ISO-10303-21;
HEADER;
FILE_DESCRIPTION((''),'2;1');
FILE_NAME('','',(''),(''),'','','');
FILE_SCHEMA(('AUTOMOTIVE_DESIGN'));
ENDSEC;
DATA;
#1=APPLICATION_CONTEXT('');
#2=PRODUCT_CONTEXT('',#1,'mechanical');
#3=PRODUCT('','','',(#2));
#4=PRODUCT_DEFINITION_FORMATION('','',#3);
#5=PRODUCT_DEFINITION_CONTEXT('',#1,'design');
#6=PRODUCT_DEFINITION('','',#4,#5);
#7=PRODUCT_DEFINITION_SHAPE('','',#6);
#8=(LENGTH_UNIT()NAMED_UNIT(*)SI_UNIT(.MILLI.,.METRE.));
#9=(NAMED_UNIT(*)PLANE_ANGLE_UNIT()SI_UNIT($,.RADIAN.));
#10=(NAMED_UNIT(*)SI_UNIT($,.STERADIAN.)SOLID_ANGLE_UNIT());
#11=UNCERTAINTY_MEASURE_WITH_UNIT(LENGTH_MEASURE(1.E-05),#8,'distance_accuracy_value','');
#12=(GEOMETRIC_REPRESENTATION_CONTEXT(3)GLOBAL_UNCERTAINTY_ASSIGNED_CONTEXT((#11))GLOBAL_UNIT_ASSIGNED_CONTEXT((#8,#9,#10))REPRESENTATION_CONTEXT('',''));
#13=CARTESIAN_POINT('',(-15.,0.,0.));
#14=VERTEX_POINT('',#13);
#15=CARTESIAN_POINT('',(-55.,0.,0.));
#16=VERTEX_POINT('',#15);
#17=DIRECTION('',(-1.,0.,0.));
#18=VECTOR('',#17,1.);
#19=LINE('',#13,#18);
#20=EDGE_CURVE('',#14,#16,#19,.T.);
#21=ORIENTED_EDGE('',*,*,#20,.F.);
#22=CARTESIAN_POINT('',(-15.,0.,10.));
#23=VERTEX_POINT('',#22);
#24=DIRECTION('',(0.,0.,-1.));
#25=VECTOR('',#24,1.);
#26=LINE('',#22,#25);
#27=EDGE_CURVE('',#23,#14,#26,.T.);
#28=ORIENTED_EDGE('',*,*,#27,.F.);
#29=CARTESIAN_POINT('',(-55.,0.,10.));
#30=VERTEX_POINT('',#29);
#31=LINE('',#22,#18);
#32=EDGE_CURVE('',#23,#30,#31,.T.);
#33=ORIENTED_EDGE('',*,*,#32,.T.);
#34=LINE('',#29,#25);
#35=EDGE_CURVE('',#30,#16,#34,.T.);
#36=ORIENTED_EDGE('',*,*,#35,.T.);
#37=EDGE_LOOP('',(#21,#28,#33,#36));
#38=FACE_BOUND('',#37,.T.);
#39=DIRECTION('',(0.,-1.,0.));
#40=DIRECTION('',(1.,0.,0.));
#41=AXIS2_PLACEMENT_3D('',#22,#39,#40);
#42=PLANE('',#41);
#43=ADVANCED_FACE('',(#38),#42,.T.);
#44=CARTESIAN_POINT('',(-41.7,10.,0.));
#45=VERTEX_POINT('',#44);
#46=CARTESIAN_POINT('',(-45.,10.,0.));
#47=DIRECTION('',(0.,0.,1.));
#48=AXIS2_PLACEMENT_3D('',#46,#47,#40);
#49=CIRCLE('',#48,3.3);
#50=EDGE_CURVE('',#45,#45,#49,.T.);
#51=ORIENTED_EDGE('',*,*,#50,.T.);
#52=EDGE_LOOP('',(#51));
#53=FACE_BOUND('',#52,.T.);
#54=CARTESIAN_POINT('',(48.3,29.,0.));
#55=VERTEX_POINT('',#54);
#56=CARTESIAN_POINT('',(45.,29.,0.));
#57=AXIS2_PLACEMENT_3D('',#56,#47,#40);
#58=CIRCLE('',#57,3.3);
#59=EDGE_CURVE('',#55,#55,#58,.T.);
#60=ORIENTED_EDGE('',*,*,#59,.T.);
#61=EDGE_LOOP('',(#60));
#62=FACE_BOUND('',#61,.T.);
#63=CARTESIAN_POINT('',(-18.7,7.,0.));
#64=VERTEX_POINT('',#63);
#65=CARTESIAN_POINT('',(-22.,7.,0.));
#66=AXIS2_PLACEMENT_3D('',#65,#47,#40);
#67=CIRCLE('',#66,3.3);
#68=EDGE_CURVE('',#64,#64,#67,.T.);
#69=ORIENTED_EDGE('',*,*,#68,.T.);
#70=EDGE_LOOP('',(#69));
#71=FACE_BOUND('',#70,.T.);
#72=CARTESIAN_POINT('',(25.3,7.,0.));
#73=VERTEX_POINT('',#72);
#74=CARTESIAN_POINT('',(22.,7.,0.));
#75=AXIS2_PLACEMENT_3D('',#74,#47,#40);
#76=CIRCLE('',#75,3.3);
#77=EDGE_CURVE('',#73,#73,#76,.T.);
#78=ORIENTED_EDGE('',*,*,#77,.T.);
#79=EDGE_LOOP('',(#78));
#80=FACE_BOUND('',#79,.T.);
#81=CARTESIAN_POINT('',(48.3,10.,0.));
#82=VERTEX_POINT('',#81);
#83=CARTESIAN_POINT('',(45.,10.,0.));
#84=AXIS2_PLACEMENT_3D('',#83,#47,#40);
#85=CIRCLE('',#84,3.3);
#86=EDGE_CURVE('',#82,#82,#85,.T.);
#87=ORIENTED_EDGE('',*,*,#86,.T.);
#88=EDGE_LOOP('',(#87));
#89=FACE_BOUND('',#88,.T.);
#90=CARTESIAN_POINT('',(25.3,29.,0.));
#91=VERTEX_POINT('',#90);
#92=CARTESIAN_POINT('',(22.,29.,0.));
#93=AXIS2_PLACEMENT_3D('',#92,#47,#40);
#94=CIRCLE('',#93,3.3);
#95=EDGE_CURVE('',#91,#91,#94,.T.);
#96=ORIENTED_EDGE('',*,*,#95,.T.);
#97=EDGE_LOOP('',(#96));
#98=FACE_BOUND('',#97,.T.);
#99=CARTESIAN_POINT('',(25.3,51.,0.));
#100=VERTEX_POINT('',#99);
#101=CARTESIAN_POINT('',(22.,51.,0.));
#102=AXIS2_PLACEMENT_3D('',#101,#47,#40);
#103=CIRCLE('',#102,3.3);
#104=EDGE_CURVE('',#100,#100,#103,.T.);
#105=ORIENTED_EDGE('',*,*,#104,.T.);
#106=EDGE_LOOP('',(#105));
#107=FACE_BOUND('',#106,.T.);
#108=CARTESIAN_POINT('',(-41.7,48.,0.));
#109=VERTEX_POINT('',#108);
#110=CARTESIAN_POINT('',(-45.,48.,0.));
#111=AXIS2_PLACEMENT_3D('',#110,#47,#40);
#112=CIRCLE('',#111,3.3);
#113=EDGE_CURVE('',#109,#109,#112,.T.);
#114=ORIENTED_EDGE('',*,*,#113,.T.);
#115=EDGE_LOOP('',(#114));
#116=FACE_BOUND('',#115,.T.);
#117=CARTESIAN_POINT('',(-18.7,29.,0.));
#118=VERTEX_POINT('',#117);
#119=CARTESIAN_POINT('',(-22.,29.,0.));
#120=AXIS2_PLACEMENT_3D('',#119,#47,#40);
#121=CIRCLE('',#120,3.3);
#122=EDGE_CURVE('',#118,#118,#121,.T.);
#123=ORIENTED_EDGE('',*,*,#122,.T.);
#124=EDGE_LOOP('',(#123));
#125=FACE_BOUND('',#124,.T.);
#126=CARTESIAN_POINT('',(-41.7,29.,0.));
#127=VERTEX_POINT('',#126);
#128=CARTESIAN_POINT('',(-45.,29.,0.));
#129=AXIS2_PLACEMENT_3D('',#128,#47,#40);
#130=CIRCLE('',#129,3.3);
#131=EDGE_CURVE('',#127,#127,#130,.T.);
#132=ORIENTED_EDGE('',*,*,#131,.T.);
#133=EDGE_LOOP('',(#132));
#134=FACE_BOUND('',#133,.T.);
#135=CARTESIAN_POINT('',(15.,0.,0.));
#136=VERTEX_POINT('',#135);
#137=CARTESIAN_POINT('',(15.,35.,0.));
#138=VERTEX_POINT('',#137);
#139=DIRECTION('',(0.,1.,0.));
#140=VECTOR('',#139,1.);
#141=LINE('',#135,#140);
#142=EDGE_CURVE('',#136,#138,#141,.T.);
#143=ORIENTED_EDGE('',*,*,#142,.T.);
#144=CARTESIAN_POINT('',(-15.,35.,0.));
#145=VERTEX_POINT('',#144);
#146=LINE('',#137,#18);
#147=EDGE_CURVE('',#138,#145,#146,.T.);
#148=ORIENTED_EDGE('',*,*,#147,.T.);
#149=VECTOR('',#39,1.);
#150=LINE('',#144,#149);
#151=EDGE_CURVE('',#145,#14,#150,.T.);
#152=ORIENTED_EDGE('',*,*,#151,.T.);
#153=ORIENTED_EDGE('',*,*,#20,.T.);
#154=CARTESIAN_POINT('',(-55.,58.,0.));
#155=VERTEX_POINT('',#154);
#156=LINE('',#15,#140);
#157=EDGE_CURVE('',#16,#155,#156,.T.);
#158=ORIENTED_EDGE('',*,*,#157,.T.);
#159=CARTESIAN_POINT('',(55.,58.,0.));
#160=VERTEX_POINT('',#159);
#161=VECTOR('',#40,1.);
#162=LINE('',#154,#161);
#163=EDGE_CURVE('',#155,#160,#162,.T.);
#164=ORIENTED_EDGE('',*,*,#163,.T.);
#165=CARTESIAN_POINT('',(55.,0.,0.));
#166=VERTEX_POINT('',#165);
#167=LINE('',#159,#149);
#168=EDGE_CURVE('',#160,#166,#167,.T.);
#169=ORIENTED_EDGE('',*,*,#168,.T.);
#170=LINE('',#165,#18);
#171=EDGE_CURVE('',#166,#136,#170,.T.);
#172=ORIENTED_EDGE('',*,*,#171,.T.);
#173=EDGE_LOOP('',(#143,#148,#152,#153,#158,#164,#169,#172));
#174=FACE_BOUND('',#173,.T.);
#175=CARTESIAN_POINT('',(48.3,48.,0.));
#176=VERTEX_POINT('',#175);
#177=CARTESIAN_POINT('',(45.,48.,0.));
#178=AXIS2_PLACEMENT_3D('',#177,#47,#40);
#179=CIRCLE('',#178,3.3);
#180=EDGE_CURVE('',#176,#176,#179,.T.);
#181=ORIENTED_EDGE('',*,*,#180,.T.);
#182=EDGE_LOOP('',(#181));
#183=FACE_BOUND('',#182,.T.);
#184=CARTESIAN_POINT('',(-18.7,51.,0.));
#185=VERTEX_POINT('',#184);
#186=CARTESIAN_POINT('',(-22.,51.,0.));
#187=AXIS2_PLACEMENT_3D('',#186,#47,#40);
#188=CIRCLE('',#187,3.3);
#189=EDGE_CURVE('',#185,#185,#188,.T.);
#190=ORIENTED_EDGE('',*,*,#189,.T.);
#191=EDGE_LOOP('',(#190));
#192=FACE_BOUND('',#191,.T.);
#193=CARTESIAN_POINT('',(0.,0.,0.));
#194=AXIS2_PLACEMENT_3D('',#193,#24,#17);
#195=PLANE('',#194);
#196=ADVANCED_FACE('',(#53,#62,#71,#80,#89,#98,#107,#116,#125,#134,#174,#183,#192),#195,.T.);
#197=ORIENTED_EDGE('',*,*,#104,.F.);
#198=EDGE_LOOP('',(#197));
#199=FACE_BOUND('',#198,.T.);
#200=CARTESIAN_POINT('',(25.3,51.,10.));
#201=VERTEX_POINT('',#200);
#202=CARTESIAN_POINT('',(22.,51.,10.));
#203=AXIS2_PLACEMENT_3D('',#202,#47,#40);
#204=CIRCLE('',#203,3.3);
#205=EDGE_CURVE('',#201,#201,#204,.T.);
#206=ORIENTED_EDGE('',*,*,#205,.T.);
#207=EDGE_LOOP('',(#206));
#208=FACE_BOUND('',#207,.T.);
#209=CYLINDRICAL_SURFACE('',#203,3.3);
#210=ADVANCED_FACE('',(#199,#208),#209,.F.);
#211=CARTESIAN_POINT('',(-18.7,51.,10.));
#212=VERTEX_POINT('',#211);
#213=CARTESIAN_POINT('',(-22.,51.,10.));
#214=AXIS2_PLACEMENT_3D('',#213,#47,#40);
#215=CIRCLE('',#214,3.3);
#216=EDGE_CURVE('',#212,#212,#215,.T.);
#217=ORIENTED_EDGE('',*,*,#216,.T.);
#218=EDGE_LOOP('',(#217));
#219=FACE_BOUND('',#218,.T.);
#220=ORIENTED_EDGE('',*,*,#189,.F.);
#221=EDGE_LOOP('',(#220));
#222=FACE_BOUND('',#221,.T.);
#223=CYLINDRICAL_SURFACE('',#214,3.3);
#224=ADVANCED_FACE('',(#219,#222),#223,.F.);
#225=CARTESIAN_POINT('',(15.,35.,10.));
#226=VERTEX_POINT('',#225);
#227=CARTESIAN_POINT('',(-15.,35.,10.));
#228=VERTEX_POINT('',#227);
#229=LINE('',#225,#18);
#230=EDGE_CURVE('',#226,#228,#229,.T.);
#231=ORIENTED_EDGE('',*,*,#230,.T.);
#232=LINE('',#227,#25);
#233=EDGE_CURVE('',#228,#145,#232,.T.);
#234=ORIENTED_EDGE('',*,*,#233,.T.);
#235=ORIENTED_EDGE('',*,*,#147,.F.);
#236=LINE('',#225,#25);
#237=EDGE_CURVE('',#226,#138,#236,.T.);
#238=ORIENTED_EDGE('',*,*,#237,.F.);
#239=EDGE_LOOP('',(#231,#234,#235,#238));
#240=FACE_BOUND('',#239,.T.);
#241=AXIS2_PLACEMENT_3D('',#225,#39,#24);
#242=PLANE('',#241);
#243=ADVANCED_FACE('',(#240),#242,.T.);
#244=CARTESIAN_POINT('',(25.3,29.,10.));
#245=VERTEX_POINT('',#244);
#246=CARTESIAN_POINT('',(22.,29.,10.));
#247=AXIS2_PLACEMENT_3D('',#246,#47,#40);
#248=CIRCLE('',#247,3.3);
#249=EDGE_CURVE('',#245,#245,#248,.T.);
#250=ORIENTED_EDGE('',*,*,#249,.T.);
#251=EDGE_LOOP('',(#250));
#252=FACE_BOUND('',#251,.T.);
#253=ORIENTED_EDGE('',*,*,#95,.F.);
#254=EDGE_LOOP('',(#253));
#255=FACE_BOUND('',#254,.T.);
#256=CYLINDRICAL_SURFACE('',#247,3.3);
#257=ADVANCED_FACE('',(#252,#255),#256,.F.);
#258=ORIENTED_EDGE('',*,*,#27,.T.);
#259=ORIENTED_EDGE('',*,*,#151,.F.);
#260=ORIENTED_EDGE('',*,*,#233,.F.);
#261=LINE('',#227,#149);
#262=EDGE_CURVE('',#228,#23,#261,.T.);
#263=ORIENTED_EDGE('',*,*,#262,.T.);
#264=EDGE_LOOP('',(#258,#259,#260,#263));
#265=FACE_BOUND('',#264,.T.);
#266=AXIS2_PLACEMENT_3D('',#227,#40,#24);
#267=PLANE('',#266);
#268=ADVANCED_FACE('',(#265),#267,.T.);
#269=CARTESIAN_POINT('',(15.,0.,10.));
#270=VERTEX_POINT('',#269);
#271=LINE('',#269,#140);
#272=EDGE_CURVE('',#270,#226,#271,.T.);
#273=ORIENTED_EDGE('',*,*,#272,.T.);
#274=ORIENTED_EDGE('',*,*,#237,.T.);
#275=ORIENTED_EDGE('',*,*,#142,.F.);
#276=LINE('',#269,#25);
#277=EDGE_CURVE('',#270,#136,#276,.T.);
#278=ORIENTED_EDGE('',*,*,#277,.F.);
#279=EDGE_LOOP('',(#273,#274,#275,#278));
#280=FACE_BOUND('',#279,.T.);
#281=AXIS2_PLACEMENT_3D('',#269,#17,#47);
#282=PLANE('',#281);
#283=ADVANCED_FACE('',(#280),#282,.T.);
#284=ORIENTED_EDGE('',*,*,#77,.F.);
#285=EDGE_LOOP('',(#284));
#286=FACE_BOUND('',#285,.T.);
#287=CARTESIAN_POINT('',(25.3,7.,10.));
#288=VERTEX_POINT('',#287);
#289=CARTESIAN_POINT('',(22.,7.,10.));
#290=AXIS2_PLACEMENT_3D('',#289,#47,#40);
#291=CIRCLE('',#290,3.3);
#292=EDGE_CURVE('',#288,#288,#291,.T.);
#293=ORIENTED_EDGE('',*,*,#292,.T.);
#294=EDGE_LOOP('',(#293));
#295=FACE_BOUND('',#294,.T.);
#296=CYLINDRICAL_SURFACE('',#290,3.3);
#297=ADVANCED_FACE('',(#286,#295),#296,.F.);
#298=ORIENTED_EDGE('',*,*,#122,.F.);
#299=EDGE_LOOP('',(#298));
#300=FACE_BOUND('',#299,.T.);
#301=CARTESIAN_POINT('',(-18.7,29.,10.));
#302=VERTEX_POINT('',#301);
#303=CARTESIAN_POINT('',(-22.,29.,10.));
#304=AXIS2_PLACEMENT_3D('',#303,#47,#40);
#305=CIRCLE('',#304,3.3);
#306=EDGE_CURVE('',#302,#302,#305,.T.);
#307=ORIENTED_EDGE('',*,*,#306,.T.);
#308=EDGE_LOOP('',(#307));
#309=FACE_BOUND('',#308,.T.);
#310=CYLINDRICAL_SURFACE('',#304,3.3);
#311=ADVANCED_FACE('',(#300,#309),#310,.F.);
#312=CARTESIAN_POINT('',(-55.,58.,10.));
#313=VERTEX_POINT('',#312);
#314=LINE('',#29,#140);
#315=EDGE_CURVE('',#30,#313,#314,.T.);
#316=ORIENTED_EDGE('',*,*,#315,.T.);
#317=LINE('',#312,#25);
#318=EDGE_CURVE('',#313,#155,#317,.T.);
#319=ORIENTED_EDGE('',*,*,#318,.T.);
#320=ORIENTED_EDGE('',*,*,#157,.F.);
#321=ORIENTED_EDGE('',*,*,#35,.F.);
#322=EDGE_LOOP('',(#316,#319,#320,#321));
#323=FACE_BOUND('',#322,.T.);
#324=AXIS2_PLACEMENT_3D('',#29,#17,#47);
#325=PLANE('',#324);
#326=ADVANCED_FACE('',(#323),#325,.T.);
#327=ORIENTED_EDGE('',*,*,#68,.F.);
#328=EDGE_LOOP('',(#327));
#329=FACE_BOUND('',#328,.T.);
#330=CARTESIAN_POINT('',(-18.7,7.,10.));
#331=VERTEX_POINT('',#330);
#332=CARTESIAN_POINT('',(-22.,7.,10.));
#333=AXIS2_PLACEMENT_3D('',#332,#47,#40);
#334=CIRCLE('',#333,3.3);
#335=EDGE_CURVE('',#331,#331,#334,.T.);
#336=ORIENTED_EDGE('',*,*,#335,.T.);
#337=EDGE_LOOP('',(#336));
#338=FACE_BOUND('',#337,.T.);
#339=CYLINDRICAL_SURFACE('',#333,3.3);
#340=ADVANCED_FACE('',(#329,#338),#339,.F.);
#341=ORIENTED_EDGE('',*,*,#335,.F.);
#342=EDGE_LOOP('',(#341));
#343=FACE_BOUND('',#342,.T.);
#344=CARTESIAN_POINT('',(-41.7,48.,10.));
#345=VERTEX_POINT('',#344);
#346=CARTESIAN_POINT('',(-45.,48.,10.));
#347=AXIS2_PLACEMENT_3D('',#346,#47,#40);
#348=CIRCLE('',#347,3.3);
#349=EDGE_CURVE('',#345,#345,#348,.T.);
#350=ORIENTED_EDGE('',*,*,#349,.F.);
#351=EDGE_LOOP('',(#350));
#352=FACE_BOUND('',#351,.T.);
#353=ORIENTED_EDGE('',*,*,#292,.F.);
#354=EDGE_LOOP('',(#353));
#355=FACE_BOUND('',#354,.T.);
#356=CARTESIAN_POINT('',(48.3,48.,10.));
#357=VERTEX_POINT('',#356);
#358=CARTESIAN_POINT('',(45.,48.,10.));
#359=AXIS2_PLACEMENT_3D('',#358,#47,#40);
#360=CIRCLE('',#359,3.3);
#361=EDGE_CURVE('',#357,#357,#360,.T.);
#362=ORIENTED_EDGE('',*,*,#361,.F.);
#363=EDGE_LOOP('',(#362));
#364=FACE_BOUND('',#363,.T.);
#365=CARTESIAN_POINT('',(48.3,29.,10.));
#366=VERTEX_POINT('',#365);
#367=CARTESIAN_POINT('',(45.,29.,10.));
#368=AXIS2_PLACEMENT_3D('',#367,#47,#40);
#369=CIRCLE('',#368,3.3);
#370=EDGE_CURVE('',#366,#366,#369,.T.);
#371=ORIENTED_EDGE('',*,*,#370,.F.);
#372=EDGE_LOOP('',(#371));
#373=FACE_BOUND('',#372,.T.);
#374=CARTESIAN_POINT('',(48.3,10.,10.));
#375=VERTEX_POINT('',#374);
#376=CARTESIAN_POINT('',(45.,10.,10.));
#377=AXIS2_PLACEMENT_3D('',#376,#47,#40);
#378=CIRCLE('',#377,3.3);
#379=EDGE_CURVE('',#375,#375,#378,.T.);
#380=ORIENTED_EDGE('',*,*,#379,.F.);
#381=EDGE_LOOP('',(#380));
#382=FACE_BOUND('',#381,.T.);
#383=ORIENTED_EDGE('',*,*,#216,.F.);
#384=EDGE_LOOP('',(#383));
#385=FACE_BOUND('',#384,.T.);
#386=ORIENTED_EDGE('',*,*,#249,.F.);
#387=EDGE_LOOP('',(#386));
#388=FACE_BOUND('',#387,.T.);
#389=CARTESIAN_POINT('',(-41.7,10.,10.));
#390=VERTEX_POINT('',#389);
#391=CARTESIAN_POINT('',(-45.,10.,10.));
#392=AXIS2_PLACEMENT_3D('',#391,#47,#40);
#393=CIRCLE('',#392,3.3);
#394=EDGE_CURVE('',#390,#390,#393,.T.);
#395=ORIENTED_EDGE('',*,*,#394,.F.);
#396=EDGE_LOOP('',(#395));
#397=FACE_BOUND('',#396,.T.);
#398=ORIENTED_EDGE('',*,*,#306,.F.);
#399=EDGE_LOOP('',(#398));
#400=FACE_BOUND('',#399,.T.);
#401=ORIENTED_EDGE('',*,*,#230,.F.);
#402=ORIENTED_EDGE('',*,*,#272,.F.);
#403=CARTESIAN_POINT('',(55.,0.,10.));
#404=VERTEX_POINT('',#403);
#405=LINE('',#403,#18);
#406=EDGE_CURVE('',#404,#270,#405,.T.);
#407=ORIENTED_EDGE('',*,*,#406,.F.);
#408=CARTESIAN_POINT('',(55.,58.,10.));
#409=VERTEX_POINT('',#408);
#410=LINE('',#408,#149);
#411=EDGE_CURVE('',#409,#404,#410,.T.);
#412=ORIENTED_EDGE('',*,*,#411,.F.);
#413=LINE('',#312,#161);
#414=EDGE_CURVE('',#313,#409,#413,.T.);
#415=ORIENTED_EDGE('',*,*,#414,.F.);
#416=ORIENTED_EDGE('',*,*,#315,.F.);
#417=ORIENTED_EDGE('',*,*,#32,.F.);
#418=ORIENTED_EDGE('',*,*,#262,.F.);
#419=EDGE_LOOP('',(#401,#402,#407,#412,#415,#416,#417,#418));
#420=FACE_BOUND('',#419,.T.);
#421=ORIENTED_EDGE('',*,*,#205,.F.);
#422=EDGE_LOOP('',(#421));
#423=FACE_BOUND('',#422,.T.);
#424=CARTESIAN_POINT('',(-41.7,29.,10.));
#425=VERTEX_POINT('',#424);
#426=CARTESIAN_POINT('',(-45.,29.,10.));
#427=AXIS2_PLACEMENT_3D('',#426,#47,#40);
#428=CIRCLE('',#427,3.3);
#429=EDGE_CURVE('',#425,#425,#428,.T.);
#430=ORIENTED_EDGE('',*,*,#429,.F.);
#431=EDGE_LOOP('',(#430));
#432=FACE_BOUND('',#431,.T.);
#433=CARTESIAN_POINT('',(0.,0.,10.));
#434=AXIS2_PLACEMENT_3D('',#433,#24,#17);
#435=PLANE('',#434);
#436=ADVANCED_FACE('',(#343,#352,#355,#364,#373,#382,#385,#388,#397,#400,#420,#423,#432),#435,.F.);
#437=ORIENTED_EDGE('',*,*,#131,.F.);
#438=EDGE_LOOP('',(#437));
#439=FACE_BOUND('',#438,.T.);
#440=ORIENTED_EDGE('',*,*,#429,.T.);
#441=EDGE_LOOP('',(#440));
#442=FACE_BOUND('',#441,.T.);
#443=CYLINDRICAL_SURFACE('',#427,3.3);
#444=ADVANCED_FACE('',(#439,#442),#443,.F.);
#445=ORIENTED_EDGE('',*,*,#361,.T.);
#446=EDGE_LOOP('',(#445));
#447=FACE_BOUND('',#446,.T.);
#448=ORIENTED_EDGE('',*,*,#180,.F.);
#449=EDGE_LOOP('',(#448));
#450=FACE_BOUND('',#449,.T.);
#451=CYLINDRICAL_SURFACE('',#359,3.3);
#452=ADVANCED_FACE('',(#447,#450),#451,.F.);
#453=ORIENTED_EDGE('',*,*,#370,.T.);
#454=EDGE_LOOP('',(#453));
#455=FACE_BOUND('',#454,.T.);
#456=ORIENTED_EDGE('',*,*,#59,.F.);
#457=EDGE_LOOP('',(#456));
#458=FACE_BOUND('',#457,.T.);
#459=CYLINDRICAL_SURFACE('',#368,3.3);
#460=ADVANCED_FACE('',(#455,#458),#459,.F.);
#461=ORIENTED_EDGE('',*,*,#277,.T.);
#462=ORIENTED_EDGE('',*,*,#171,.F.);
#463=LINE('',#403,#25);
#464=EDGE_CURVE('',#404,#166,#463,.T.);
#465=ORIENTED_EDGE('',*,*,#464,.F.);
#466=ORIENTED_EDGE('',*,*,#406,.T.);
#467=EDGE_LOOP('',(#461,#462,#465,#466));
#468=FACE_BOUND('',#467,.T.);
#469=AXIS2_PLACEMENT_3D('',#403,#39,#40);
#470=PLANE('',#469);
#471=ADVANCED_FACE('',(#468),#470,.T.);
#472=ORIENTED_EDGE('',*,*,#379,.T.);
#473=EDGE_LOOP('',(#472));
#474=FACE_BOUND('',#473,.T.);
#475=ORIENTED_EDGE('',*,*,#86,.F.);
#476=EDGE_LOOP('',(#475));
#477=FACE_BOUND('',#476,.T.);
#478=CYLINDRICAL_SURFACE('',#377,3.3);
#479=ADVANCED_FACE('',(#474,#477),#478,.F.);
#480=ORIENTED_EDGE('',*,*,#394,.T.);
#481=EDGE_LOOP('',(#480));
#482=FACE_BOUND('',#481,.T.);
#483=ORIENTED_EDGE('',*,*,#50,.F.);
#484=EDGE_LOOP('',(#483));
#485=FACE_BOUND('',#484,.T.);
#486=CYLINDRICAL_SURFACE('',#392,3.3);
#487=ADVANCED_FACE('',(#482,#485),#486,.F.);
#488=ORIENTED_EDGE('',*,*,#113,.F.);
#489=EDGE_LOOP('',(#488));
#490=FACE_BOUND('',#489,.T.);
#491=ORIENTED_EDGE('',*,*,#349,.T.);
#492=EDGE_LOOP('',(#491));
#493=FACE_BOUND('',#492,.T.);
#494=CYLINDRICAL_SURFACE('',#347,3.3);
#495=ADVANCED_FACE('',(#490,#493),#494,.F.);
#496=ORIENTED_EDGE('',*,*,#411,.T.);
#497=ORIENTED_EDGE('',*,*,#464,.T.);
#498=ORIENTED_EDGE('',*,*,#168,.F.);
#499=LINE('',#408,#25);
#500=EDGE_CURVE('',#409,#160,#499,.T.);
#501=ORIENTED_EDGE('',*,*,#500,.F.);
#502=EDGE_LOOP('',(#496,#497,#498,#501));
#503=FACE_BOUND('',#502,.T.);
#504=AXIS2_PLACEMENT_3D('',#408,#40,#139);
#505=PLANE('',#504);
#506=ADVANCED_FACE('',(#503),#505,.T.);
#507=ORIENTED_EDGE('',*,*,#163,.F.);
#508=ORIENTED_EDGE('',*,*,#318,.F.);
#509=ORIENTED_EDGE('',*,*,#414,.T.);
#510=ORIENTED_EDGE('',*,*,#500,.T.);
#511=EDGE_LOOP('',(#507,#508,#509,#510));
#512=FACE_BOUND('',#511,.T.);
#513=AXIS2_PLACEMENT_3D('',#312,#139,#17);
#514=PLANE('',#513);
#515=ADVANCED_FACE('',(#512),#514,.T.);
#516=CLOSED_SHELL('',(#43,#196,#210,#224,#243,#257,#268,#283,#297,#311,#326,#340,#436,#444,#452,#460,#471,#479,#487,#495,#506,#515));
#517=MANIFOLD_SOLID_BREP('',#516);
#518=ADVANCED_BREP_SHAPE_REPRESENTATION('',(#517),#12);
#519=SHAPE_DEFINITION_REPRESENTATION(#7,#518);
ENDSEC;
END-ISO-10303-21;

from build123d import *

# Parameters (mm, degrees)
BOSS_EXTRUDE1_DEPTH = 10
M6_CLEARANCE_HOLE_D = 6.6


with BuildPart() as part:
    # Sketch1 → Boss-Extrude1 (new body)
    with BuildSketch(Plane.XY):
        Polygon((55, 0), (15, 0), (15, 35), (-15, 35), (-15, 0), (-55, 0), (-55, 58), (55, 58), align=None)
    extrude(amount=BOSS_EXTRUDE1_DEPTH)

    # M6 Clearance Hole (through all)
    with Locations(Plane(origin=(559.845790405, 1460.886073068, 10), x_dir=(-1, 0, 0), z_dir=(0, 0, 1))):
        with Locations((514.845790405, 1450.886073068), (514.845790405, 1412.886073068), (537.845790405, 1453.886073068), (537.845790405, 1409.886073068), (581.845790405, 1453.886073068), (581.845790405, 1409.886073068), (604.845790405, 1450.886073068), (604.845790405, 1412.886073068), (514.845790405, 897.471608895), (537.845790405, 897.471608895), (581.845790405, 897.471608895), (604.845790405, 897.471608895), (394.752371414, 1482.156083565), (514.845790405, 1431.886073068), (537.845790405, 1431.886073068), (581.845790405, 1431.886073068), (604.845790405, 1431.886073068)):
            Hole(M6_CLEARANCE_HOLE_D / 2)


solid = part.part
